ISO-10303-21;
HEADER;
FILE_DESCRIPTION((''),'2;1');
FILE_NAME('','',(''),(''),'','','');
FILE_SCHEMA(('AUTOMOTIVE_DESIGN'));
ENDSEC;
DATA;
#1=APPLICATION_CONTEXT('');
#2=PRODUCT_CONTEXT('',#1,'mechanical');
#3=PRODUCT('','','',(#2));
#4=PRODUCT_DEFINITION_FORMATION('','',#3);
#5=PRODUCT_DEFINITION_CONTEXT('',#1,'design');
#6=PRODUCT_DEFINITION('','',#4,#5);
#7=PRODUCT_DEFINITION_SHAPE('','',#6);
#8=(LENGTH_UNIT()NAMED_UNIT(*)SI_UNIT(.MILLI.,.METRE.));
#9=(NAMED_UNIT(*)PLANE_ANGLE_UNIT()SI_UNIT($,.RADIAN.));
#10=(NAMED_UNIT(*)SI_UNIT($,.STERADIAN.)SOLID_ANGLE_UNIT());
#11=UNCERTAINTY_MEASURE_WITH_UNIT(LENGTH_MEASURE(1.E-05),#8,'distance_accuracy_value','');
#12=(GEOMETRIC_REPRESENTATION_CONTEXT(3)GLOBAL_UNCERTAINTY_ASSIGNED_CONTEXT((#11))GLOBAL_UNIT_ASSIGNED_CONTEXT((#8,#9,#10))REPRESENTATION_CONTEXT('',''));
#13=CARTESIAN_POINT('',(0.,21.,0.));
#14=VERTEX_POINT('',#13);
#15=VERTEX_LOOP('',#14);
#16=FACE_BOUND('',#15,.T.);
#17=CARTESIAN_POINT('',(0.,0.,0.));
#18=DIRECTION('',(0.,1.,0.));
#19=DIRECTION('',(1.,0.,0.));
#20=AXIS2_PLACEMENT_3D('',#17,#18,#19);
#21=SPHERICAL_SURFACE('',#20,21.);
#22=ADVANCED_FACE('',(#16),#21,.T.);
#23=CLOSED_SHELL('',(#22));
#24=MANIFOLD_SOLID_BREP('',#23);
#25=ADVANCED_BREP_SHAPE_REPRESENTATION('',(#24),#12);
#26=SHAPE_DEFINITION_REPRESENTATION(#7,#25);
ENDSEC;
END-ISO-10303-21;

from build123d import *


with BuildPart() as part:
    # Sketch1 → Revolve1 (revolve)
    with BuildSketch(Plane.XY):
        with BuildLine():
            Line((0, 21), (0, -21))
            ThreePointArc((0, -21), (21, 0), (0, 21))
        make_face()
    revolve(axis=Axis((0, 21, 0), (0, -1, 0)))


solid = part.part
